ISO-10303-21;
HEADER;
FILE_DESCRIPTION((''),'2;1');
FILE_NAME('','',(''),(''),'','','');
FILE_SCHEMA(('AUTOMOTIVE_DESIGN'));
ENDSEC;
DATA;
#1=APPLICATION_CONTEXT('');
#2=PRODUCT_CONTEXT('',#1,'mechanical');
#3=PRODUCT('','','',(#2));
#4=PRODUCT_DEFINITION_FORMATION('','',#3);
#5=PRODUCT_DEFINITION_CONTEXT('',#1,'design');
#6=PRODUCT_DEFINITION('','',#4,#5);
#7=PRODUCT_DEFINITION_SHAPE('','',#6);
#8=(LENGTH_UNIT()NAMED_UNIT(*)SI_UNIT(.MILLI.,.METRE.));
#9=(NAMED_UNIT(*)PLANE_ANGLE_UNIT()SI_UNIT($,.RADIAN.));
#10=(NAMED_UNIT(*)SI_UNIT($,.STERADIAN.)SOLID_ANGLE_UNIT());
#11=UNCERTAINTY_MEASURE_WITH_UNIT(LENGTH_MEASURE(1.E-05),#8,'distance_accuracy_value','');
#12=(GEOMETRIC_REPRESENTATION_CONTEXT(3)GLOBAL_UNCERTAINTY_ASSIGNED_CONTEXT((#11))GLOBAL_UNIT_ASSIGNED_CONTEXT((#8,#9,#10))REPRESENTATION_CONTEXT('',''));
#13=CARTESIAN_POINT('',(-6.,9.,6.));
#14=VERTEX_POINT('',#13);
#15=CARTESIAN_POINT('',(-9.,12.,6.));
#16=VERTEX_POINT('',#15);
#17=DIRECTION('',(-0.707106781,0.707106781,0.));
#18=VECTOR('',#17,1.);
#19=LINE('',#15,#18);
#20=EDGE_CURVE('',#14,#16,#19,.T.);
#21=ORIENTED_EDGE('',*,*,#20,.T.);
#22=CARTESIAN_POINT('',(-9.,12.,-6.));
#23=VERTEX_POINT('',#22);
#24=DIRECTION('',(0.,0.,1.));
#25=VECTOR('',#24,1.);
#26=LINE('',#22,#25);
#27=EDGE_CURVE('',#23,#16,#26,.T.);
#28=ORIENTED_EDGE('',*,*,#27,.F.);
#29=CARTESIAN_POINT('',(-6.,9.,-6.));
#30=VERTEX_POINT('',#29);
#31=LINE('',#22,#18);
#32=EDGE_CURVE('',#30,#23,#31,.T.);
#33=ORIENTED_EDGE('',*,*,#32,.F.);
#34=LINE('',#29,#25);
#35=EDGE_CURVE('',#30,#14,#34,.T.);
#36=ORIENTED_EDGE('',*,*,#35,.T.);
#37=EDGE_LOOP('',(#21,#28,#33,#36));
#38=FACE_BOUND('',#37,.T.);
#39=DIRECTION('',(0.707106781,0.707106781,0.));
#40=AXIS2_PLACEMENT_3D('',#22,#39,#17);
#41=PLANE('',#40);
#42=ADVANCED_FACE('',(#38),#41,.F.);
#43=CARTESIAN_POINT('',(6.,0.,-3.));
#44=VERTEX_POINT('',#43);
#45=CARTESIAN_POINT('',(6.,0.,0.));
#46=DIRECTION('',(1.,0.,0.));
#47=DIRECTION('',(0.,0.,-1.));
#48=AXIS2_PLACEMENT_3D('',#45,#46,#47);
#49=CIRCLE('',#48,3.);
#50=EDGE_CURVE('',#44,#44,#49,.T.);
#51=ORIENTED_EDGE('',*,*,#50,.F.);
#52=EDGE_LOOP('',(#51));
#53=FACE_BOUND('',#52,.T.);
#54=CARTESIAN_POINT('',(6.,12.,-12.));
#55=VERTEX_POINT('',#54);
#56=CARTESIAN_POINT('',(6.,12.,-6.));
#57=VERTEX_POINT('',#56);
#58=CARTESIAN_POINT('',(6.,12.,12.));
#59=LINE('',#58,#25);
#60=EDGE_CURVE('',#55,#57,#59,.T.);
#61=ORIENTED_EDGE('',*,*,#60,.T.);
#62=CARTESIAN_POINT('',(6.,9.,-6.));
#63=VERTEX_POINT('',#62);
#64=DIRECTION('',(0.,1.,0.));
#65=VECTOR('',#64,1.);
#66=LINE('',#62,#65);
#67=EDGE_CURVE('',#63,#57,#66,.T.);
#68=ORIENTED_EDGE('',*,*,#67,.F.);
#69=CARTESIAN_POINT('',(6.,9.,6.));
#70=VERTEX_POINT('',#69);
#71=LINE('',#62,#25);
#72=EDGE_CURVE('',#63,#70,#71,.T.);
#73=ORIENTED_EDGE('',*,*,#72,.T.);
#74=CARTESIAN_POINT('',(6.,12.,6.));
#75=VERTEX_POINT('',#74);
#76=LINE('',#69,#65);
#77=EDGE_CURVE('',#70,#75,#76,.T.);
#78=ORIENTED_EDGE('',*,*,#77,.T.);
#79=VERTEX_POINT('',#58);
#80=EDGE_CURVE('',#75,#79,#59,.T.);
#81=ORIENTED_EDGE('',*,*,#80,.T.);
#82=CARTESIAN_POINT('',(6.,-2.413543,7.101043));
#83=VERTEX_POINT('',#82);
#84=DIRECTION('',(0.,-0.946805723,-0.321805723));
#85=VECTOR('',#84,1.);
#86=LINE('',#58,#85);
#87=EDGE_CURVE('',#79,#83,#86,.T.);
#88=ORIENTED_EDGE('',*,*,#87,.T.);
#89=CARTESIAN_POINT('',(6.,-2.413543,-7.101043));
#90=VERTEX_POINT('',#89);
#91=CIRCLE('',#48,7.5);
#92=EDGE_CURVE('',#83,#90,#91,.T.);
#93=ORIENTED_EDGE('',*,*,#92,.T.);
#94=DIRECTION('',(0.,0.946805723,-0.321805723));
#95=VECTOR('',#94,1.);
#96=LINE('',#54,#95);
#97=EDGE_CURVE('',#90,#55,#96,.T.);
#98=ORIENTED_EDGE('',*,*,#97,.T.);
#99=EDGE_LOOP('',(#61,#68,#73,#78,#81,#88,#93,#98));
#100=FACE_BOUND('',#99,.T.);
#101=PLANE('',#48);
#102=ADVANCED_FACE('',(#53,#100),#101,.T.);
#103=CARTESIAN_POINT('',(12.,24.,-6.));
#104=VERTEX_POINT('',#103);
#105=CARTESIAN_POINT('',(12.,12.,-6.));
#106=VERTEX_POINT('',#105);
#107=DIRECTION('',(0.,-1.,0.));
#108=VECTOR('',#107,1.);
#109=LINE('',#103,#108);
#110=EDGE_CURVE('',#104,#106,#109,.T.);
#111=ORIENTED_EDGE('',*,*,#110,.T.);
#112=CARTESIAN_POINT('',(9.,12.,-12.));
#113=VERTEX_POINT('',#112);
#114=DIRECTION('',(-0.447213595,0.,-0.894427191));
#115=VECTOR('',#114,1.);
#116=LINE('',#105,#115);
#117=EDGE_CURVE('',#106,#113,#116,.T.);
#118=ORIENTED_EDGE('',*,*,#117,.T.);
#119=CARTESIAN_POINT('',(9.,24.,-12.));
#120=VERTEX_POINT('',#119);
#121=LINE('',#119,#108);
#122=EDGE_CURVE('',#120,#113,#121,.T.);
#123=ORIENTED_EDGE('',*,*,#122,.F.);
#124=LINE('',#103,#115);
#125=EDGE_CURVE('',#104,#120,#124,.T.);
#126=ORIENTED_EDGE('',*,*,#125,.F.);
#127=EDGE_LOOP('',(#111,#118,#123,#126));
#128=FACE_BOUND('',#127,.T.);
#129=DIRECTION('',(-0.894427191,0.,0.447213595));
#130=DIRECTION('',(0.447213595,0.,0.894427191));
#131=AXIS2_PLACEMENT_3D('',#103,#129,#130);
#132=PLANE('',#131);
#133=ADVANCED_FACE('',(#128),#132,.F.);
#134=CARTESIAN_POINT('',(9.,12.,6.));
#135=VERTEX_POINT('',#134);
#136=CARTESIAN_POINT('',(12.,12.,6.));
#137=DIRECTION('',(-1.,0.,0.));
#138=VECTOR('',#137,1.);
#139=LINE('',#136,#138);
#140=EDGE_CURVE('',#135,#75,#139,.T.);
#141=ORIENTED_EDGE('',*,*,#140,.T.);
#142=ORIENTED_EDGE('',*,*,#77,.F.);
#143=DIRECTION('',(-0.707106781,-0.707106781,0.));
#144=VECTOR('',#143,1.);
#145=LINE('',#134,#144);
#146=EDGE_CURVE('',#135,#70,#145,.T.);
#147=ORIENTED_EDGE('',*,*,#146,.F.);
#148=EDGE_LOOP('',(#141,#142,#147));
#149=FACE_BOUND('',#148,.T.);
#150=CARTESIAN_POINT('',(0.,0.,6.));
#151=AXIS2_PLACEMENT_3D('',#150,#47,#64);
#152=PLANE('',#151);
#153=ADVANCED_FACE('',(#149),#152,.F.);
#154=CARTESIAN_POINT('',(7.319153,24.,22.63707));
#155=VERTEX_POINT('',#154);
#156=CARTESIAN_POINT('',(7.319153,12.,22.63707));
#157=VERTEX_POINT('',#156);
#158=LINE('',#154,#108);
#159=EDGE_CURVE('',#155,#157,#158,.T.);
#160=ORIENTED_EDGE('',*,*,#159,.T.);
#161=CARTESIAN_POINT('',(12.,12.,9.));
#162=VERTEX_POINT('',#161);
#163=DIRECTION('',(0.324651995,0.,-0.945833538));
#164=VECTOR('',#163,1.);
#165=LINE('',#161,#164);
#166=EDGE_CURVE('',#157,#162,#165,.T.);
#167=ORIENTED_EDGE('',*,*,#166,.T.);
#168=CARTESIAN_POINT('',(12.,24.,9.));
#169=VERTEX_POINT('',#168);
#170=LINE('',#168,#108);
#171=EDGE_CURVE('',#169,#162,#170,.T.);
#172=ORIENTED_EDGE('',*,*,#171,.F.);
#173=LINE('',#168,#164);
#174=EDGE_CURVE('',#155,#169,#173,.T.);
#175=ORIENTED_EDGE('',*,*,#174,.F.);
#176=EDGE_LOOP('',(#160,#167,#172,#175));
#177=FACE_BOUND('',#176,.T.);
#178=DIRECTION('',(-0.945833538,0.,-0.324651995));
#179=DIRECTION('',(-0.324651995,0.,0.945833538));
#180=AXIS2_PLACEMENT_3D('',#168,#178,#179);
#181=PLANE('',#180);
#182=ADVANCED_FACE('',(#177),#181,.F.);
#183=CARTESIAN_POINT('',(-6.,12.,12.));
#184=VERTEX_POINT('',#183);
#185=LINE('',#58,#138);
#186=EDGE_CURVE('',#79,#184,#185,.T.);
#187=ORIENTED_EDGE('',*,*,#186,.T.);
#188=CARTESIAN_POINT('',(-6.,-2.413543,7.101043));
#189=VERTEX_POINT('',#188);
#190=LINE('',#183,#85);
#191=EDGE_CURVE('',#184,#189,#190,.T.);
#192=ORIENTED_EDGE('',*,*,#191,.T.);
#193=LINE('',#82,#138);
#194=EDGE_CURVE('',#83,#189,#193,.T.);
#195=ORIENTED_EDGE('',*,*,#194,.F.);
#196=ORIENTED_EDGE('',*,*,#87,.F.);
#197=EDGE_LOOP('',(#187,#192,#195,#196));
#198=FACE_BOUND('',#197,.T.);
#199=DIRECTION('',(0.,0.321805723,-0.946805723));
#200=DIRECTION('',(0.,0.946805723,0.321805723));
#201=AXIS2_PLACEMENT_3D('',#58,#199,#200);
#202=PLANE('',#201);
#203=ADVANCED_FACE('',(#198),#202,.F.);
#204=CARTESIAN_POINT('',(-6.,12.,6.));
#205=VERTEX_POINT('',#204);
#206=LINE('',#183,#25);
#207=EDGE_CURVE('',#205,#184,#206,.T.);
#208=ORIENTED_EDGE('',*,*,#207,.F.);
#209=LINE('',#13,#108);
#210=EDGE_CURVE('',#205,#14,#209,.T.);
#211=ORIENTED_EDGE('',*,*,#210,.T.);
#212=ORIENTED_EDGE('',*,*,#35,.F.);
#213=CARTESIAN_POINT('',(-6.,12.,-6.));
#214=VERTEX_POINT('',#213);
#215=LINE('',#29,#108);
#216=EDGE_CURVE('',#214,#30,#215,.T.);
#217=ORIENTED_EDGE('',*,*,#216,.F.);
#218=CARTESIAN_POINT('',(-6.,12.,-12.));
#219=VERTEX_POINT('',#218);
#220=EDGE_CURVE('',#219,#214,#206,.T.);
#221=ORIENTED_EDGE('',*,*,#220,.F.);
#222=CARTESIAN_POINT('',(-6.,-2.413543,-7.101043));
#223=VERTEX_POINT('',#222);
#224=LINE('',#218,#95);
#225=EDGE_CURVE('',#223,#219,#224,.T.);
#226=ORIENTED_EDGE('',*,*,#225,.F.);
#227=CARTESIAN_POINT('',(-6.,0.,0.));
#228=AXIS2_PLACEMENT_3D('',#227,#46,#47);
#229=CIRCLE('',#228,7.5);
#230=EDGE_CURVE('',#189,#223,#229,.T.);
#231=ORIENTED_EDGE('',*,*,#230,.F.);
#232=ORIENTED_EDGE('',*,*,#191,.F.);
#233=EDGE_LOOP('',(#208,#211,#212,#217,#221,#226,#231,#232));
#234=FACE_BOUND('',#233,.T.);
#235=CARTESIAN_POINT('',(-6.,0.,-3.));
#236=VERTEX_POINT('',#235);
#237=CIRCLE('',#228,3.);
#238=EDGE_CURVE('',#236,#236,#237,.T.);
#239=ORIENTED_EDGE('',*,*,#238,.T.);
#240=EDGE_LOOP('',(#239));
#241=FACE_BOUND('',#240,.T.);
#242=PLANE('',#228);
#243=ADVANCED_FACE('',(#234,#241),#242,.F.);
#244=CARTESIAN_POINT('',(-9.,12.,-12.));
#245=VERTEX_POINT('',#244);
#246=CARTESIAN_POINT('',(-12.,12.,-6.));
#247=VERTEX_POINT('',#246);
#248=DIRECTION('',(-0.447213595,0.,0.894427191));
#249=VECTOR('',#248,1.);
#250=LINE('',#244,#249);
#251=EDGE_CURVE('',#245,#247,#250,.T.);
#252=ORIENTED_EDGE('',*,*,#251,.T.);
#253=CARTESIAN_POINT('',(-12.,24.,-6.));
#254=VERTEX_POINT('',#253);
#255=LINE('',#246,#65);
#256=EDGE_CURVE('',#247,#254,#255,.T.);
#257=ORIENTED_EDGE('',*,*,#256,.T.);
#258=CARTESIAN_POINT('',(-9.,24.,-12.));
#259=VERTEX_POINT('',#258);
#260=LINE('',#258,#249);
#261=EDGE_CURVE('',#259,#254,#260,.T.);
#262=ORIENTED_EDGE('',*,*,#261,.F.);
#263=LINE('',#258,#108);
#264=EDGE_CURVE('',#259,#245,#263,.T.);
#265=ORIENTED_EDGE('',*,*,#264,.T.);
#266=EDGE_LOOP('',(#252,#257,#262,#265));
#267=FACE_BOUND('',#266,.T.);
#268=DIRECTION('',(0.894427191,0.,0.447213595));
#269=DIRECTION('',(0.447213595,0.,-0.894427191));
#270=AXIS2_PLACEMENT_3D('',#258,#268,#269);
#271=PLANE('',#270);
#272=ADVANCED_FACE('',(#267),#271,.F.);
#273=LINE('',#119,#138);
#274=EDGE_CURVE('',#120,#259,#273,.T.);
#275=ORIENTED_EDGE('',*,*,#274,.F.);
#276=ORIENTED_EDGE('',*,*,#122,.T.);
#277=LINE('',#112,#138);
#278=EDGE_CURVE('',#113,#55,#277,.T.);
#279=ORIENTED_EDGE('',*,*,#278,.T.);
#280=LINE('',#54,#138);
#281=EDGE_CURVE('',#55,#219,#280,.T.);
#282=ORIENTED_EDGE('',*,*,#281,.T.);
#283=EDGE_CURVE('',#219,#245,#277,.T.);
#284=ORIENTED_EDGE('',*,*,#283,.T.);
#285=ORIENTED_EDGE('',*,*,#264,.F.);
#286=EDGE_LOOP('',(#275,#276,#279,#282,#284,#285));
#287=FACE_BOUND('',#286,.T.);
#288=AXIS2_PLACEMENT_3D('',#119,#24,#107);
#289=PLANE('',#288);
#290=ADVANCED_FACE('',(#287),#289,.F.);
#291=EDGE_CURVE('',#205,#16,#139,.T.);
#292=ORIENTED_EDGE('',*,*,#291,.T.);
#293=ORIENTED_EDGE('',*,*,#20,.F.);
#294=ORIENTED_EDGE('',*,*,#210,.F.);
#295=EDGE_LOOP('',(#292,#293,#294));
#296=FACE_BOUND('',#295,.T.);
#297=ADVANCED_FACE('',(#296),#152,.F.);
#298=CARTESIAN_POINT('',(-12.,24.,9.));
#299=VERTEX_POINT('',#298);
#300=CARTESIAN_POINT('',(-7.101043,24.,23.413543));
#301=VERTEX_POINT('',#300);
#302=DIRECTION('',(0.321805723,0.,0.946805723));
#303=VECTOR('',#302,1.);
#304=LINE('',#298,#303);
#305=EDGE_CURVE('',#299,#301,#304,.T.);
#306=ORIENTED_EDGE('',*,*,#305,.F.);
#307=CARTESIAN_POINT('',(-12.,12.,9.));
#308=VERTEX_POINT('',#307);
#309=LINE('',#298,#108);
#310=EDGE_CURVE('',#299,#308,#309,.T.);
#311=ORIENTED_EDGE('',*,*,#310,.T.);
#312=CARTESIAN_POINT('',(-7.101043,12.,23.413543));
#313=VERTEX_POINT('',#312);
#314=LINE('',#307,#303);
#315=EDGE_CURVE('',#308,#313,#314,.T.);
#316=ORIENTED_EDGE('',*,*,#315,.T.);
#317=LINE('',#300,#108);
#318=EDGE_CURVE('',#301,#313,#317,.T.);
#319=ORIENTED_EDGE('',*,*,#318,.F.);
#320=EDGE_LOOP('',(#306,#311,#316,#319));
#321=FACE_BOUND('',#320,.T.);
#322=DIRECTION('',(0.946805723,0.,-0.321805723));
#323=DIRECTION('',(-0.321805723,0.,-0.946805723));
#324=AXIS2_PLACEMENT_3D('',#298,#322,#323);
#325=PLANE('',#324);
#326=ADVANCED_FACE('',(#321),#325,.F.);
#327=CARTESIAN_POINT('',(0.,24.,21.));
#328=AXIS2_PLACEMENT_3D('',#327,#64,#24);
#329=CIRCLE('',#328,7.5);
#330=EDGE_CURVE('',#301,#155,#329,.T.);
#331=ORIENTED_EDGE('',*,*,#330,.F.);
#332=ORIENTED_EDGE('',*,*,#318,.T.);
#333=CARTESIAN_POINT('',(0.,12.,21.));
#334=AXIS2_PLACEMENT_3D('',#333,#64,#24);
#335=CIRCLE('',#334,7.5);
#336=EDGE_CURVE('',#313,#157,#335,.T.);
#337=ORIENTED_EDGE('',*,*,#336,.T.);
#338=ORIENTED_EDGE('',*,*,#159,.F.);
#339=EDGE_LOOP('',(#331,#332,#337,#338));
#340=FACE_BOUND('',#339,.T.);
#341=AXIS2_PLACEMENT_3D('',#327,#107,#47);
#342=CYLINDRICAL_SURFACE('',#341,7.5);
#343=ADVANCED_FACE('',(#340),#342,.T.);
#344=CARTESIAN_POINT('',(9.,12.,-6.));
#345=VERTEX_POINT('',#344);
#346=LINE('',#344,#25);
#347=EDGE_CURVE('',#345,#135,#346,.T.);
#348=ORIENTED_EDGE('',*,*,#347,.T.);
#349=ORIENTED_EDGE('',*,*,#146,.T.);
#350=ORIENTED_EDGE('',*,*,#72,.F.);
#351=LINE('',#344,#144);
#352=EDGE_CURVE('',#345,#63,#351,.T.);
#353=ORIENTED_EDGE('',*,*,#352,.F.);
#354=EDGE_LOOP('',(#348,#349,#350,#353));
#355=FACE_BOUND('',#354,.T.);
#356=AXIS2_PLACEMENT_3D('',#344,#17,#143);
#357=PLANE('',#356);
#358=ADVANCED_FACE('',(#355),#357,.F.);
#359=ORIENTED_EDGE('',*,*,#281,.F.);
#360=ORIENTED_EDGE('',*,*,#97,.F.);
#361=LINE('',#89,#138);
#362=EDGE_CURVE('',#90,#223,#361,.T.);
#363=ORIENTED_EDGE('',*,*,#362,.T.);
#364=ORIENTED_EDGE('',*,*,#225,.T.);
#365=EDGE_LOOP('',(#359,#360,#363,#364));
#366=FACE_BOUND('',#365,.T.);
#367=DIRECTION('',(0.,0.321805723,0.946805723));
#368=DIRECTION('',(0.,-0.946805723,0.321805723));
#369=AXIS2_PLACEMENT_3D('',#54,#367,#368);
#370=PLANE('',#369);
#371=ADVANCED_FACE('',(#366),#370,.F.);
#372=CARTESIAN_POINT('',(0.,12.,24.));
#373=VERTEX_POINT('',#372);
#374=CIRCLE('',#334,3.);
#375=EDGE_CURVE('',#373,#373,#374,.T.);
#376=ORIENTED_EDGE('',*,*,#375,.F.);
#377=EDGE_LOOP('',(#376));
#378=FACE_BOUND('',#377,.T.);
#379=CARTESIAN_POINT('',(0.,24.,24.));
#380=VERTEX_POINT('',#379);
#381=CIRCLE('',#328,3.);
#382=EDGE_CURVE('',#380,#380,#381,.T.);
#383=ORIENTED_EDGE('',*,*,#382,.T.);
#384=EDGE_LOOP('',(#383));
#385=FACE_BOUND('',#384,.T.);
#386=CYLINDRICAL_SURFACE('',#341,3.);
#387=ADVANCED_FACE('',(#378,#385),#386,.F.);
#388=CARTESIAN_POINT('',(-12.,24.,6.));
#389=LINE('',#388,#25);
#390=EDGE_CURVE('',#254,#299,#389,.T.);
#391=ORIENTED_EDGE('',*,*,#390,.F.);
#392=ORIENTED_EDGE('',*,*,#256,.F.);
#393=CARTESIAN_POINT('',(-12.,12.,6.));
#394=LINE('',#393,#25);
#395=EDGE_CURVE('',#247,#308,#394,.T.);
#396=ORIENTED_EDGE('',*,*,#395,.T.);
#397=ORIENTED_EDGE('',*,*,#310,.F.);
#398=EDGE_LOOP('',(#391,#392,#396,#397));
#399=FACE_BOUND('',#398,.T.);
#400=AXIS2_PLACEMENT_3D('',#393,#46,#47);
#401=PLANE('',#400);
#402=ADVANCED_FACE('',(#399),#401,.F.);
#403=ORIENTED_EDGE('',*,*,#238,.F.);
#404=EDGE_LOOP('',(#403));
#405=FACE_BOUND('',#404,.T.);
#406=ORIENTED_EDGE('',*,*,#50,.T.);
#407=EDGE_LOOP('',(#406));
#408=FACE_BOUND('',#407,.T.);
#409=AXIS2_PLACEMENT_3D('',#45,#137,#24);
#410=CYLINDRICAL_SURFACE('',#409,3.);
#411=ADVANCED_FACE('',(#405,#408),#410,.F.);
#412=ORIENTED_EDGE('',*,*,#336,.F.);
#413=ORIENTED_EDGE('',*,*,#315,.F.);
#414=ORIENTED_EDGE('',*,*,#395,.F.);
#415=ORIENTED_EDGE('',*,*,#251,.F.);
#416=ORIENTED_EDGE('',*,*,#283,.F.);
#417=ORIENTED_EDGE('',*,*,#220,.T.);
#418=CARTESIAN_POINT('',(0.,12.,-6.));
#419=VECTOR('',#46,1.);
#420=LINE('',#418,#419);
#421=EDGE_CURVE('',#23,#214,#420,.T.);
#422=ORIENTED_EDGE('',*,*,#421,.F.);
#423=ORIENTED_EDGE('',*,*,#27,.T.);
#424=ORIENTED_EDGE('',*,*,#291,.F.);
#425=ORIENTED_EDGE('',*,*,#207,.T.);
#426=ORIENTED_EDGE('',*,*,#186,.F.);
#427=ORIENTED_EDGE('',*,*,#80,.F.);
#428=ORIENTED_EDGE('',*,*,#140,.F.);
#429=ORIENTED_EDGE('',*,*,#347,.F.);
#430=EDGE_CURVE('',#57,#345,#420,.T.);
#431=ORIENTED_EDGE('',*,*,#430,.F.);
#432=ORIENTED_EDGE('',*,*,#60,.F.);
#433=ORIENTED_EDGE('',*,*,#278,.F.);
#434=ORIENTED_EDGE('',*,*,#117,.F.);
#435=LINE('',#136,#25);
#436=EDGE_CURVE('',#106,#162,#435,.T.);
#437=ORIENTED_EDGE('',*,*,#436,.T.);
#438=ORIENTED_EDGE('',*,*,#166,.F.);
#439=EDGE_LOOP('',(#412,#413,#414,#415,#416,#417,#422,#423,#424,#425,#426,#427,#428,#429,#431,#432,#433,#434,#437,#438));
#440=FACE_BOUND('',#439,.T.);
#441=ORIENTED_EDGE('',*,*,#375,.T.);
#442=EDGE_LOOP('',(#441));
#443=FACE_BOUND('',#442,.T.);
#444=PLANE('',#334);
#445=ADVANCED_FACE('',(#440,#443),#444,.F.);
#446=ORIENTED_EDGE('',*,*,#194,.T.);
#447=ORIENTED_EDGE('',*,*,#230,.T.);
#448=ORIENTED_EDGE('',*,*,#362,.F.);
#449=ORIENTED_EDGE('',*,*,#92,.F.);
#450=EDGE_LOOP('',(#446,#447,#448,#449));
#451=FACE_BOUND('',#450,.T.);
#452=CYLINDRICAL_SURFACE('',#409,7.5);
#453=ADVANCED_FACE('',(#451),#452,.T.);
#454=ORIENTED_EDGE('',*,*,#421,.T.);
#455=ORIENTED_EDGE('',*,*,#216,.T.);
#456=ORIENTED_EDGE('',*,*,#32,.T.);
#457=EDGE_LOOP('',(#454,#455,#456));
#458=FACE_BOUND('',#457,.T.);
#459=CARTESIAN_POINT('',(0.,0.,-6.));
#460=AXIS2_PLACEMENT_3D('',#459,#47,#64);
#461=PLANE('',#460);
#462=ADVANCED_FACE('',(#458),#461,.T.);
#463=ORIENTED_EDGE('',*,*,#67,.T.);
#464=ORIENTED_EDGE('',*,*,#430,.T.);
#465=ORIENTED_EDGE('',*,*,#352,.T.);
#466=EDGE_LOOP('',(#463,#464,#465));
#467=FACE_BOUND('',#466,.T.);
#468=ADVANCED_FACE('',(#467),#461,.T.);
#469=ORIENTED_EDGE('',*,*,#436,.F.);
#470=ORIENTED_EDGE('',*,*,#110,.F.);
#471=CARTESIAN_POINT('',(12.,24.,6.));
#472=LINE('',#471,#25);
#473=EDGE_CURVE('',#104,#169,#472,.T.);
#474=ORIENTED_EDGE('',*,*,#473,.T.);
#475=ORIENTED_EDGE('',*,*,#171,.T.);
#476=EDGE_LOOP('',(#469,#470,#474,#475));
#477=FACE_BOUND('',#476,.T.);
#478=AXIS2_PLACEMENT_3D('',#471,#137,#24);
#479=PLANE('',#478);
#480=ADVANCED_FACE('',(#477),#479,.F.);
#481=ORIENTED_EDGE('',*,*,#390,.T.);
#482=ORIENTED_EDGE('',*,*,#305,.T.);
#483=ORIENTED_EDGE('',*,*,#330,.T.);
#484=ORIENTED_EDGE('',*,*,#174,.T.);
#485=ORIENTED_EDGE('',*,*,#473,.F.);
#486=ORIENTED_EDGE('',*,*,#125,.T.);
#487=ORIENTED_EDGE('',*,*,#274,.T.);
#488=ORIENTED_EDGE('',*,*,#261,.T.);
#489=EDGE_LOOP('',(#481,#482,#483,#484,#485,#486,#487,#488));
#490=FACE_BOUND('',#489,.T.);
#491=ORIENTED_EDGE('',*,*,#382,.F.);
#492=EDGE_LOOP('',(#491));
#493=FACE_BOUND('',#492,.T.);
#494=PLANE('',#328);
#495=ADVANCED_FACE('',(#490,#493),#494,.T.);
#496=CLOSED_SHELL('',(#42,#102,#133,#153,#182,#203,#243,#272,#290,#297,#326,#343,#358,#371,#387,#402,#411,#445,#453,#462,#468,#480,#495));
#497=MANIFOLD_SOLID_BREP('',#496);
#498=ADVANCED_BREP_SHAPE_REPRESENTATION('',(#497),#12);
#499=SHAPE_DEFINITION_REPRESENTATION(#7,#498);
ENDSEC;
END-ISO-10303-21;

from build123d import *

# Parameters (mm, degrees)
SKETCH_1_R      = 3
EXTRUDE_1_DEPTH = 6
SKETCH_2_R      = 3
EXTRUDE_2_DEPTH = 12
EXTRUDE_3_DEPTH = 3
EXTRUDE_4_DEPTH = 12
EXTRUDE_5_DEPTH = 12


with BuildPart() as part:
    # 스케치1 → 보스-돌출1 (new, symmetric)
    with BuildSketch(Plane(origin=(0, 0, 0), x_dir=(0, 0, -1), z_dir=(1, 0, 0))):
        with BuildLine():
            Line((-12, 12), (12, 12))
            Line((12, 12), (7.101042921, -2.413542921))
            ThreePointArc((7.101042921, -2.413542921), (0, -7.5), (-7.101042921, -2.413542921))
            Line((-7.101042921, -2.413542921), (-12, 12))
        make_face()
        Circle(SKETCH_1_R, mode=Mode.SUBTRACT)
    extrude(amount=EXTRUDE_1_DEPTH, both=True)

    # 스케치2 → 보스-돌출2 (add)
    with BuildSketch(Plane(origin=(0, 12, 0), x_dir=(1, 0, 0), z_dir=(0, 1, 0))):
        with BuildLine():
            Line((-12, -9), (12, -9))
            Line((12, -9), (7.319153043, -22.637070166))
            ThreePointArc((7.319153043, -22.637070166), (0.403262311, -28.489150787), (-7.101042921, -23.413542921))
            Line((-7.101042921, -23.413542921), (-12, -9))
        make_face()
        with Locations(Location((0, -21, 0), (0, 0, 270))):
            Circle(SKETCH_2_R, mode=Mode.SUBTRACT)
    extrude(amount=EXTRUDE_2_DEPTH)

    # 스케치3 → 보스-돌출3 (add)
    with BuildSketch(Plane(origin=(0, 0, 9), x_dir=(-1, 0, 0), z_dir=(0, 0, -1))):
        Polygon((-12, 12), (-6, 12), (6, 12), (12, 12), (12, 24), (-12, 24), align=None)
    extrude(amount=EXTRUDE_3_DEPTH)

    # 스케치4 → 보스-돌출4 (add)
    with BuildSketch(Plane(origin=(0, 0, 6), x_dir=(-1, 0, 0), z_dir=(0, 0, -1))):
        Polygon((-9, 12), (-6, 9), (-6, 12), (6, 12), (6, 9), (9, 12), (12, 12), (12, 24), (-12, 24), (-12, 12), align=None)
    extrude(amount=EXTRUDE_4_DEPTH)

    # 스케치5 → 보스-돌출5 (add)
    with BuildSketch(Plane(origin=(0, 12, 0), x_dir=(1, 0, 0), z_dir=(0, 1, 0))):
        Polygon((-12, 6), (12, 6), (9, 12), (-9, 12), align=None)
    extrude(amount=EXTRUDE_5_DEPTH)


solid = part.part
